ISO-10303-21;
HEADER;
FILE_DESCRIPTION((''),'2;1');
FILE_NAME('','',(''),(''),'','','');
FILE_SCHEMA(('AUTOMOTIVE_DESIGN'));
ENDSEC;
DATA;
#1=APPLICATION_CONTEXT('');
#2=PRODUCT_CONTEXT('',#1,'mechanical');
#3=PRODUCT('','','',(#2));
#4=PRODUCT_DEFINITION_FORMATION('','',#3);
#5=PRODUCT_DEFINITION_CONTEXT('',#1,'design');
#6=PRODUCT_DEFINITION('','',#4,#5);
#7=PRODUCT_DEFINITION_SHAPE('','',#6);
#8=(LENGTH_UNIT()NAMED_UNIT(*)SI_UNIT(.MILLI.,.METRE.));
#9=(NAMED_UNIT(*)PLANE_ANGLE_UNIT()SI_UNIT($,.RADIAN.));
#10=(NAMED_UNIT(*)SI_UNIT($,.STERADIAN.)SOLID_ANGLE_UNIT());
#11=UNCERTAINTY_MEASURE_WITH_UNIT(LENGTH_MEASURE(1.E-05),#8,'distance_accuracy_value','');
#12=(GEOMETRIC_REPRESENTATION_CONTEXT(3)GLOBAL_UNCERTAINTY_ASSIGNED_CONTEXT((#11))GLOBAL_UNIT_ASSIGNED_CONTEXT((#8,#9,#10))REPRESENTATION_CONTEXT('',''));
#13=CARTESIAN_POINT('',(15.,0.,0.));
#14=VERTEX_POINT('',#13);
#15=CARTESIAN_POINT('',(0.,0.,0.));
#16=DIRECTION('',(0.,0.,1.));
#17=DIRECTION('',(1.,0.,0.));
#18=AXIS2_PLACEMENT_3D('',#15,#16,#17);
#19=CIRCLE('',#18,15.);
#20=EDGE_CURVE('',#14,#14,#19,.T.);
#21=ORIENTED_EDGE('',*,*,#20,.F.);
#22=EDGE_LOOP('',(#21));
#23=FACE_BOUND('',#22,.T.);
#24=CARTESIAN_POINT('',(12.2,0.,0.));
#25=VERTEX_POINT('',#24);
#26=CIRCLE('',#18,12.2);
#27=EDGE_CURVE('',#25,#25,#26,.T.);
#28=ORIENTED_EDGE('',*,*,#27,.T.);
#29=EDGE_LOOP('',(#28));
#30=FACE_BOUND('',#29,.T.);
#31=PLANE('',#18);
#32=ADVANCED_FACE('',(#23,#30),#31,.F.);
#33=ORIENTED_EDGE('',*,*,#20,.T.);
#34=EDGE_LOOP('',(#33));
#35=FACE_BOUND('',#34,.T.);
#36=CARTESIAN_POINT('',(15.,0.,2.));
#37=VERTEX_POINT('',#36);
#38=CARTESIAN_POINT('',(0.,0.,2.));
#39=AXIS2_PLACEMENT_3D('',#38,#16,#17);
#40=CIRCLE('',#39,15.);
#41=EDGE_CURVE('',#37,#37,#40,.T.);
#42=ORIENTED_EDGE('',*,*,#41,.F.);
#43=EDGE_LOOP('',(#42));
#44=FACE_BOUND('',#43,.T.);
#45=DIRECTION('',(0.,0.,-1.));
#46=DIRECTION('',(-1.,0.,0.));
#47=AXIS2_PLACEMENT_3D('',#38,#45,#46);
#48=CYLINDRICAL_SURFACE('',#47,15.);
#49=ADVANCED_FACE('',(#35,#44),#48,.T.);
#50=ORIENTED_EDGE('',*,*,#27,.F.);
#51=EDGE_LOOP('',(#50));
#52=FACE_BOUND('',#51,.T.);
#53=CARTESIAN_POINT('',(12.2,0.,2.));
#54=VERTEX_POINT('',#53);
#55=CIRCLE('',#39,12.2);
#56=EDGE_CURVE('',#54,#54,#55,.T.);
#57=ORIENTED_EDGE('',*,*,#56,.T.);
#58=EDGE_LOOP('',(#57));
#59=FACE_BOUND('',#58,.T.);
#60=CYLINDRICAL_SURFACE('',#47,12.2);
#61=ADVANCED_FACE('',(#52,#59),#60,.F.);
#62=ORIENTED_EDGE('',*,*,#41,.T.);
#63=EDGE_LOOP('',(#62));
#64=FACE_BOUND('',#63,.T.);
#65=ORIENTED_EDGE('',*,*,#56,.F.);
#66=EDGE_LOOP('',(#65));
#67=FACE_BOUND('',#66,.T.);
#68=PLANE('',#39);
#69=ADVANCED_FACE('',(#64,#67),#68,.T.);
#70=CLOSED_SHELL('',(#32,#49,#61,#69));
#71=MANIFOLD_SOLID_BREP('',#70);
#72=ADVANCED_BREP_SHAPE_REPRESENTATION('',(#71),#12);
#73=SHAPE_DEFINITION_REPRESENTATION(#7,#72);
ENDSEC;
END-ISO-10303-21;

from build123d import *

# Parameters (mm, degrees)
SKETCH_1_R      = 15
SKETCH_1_R_2    = 12.2
EXTRUDE_1_DEPTH = 2


with BuildPart() as part:
    # Эскиз1 → Бобышка-Вытянуть1 (new body)
    with BuildSketch(Plane.XY):
        Circle(SKETCH_1_R)
        Circle(SKETCH_1_R_2, mode=Mode.SUBTRACT)
    extrude(amount=EXTRUDE_1_DEPTH)


solid = part.part
